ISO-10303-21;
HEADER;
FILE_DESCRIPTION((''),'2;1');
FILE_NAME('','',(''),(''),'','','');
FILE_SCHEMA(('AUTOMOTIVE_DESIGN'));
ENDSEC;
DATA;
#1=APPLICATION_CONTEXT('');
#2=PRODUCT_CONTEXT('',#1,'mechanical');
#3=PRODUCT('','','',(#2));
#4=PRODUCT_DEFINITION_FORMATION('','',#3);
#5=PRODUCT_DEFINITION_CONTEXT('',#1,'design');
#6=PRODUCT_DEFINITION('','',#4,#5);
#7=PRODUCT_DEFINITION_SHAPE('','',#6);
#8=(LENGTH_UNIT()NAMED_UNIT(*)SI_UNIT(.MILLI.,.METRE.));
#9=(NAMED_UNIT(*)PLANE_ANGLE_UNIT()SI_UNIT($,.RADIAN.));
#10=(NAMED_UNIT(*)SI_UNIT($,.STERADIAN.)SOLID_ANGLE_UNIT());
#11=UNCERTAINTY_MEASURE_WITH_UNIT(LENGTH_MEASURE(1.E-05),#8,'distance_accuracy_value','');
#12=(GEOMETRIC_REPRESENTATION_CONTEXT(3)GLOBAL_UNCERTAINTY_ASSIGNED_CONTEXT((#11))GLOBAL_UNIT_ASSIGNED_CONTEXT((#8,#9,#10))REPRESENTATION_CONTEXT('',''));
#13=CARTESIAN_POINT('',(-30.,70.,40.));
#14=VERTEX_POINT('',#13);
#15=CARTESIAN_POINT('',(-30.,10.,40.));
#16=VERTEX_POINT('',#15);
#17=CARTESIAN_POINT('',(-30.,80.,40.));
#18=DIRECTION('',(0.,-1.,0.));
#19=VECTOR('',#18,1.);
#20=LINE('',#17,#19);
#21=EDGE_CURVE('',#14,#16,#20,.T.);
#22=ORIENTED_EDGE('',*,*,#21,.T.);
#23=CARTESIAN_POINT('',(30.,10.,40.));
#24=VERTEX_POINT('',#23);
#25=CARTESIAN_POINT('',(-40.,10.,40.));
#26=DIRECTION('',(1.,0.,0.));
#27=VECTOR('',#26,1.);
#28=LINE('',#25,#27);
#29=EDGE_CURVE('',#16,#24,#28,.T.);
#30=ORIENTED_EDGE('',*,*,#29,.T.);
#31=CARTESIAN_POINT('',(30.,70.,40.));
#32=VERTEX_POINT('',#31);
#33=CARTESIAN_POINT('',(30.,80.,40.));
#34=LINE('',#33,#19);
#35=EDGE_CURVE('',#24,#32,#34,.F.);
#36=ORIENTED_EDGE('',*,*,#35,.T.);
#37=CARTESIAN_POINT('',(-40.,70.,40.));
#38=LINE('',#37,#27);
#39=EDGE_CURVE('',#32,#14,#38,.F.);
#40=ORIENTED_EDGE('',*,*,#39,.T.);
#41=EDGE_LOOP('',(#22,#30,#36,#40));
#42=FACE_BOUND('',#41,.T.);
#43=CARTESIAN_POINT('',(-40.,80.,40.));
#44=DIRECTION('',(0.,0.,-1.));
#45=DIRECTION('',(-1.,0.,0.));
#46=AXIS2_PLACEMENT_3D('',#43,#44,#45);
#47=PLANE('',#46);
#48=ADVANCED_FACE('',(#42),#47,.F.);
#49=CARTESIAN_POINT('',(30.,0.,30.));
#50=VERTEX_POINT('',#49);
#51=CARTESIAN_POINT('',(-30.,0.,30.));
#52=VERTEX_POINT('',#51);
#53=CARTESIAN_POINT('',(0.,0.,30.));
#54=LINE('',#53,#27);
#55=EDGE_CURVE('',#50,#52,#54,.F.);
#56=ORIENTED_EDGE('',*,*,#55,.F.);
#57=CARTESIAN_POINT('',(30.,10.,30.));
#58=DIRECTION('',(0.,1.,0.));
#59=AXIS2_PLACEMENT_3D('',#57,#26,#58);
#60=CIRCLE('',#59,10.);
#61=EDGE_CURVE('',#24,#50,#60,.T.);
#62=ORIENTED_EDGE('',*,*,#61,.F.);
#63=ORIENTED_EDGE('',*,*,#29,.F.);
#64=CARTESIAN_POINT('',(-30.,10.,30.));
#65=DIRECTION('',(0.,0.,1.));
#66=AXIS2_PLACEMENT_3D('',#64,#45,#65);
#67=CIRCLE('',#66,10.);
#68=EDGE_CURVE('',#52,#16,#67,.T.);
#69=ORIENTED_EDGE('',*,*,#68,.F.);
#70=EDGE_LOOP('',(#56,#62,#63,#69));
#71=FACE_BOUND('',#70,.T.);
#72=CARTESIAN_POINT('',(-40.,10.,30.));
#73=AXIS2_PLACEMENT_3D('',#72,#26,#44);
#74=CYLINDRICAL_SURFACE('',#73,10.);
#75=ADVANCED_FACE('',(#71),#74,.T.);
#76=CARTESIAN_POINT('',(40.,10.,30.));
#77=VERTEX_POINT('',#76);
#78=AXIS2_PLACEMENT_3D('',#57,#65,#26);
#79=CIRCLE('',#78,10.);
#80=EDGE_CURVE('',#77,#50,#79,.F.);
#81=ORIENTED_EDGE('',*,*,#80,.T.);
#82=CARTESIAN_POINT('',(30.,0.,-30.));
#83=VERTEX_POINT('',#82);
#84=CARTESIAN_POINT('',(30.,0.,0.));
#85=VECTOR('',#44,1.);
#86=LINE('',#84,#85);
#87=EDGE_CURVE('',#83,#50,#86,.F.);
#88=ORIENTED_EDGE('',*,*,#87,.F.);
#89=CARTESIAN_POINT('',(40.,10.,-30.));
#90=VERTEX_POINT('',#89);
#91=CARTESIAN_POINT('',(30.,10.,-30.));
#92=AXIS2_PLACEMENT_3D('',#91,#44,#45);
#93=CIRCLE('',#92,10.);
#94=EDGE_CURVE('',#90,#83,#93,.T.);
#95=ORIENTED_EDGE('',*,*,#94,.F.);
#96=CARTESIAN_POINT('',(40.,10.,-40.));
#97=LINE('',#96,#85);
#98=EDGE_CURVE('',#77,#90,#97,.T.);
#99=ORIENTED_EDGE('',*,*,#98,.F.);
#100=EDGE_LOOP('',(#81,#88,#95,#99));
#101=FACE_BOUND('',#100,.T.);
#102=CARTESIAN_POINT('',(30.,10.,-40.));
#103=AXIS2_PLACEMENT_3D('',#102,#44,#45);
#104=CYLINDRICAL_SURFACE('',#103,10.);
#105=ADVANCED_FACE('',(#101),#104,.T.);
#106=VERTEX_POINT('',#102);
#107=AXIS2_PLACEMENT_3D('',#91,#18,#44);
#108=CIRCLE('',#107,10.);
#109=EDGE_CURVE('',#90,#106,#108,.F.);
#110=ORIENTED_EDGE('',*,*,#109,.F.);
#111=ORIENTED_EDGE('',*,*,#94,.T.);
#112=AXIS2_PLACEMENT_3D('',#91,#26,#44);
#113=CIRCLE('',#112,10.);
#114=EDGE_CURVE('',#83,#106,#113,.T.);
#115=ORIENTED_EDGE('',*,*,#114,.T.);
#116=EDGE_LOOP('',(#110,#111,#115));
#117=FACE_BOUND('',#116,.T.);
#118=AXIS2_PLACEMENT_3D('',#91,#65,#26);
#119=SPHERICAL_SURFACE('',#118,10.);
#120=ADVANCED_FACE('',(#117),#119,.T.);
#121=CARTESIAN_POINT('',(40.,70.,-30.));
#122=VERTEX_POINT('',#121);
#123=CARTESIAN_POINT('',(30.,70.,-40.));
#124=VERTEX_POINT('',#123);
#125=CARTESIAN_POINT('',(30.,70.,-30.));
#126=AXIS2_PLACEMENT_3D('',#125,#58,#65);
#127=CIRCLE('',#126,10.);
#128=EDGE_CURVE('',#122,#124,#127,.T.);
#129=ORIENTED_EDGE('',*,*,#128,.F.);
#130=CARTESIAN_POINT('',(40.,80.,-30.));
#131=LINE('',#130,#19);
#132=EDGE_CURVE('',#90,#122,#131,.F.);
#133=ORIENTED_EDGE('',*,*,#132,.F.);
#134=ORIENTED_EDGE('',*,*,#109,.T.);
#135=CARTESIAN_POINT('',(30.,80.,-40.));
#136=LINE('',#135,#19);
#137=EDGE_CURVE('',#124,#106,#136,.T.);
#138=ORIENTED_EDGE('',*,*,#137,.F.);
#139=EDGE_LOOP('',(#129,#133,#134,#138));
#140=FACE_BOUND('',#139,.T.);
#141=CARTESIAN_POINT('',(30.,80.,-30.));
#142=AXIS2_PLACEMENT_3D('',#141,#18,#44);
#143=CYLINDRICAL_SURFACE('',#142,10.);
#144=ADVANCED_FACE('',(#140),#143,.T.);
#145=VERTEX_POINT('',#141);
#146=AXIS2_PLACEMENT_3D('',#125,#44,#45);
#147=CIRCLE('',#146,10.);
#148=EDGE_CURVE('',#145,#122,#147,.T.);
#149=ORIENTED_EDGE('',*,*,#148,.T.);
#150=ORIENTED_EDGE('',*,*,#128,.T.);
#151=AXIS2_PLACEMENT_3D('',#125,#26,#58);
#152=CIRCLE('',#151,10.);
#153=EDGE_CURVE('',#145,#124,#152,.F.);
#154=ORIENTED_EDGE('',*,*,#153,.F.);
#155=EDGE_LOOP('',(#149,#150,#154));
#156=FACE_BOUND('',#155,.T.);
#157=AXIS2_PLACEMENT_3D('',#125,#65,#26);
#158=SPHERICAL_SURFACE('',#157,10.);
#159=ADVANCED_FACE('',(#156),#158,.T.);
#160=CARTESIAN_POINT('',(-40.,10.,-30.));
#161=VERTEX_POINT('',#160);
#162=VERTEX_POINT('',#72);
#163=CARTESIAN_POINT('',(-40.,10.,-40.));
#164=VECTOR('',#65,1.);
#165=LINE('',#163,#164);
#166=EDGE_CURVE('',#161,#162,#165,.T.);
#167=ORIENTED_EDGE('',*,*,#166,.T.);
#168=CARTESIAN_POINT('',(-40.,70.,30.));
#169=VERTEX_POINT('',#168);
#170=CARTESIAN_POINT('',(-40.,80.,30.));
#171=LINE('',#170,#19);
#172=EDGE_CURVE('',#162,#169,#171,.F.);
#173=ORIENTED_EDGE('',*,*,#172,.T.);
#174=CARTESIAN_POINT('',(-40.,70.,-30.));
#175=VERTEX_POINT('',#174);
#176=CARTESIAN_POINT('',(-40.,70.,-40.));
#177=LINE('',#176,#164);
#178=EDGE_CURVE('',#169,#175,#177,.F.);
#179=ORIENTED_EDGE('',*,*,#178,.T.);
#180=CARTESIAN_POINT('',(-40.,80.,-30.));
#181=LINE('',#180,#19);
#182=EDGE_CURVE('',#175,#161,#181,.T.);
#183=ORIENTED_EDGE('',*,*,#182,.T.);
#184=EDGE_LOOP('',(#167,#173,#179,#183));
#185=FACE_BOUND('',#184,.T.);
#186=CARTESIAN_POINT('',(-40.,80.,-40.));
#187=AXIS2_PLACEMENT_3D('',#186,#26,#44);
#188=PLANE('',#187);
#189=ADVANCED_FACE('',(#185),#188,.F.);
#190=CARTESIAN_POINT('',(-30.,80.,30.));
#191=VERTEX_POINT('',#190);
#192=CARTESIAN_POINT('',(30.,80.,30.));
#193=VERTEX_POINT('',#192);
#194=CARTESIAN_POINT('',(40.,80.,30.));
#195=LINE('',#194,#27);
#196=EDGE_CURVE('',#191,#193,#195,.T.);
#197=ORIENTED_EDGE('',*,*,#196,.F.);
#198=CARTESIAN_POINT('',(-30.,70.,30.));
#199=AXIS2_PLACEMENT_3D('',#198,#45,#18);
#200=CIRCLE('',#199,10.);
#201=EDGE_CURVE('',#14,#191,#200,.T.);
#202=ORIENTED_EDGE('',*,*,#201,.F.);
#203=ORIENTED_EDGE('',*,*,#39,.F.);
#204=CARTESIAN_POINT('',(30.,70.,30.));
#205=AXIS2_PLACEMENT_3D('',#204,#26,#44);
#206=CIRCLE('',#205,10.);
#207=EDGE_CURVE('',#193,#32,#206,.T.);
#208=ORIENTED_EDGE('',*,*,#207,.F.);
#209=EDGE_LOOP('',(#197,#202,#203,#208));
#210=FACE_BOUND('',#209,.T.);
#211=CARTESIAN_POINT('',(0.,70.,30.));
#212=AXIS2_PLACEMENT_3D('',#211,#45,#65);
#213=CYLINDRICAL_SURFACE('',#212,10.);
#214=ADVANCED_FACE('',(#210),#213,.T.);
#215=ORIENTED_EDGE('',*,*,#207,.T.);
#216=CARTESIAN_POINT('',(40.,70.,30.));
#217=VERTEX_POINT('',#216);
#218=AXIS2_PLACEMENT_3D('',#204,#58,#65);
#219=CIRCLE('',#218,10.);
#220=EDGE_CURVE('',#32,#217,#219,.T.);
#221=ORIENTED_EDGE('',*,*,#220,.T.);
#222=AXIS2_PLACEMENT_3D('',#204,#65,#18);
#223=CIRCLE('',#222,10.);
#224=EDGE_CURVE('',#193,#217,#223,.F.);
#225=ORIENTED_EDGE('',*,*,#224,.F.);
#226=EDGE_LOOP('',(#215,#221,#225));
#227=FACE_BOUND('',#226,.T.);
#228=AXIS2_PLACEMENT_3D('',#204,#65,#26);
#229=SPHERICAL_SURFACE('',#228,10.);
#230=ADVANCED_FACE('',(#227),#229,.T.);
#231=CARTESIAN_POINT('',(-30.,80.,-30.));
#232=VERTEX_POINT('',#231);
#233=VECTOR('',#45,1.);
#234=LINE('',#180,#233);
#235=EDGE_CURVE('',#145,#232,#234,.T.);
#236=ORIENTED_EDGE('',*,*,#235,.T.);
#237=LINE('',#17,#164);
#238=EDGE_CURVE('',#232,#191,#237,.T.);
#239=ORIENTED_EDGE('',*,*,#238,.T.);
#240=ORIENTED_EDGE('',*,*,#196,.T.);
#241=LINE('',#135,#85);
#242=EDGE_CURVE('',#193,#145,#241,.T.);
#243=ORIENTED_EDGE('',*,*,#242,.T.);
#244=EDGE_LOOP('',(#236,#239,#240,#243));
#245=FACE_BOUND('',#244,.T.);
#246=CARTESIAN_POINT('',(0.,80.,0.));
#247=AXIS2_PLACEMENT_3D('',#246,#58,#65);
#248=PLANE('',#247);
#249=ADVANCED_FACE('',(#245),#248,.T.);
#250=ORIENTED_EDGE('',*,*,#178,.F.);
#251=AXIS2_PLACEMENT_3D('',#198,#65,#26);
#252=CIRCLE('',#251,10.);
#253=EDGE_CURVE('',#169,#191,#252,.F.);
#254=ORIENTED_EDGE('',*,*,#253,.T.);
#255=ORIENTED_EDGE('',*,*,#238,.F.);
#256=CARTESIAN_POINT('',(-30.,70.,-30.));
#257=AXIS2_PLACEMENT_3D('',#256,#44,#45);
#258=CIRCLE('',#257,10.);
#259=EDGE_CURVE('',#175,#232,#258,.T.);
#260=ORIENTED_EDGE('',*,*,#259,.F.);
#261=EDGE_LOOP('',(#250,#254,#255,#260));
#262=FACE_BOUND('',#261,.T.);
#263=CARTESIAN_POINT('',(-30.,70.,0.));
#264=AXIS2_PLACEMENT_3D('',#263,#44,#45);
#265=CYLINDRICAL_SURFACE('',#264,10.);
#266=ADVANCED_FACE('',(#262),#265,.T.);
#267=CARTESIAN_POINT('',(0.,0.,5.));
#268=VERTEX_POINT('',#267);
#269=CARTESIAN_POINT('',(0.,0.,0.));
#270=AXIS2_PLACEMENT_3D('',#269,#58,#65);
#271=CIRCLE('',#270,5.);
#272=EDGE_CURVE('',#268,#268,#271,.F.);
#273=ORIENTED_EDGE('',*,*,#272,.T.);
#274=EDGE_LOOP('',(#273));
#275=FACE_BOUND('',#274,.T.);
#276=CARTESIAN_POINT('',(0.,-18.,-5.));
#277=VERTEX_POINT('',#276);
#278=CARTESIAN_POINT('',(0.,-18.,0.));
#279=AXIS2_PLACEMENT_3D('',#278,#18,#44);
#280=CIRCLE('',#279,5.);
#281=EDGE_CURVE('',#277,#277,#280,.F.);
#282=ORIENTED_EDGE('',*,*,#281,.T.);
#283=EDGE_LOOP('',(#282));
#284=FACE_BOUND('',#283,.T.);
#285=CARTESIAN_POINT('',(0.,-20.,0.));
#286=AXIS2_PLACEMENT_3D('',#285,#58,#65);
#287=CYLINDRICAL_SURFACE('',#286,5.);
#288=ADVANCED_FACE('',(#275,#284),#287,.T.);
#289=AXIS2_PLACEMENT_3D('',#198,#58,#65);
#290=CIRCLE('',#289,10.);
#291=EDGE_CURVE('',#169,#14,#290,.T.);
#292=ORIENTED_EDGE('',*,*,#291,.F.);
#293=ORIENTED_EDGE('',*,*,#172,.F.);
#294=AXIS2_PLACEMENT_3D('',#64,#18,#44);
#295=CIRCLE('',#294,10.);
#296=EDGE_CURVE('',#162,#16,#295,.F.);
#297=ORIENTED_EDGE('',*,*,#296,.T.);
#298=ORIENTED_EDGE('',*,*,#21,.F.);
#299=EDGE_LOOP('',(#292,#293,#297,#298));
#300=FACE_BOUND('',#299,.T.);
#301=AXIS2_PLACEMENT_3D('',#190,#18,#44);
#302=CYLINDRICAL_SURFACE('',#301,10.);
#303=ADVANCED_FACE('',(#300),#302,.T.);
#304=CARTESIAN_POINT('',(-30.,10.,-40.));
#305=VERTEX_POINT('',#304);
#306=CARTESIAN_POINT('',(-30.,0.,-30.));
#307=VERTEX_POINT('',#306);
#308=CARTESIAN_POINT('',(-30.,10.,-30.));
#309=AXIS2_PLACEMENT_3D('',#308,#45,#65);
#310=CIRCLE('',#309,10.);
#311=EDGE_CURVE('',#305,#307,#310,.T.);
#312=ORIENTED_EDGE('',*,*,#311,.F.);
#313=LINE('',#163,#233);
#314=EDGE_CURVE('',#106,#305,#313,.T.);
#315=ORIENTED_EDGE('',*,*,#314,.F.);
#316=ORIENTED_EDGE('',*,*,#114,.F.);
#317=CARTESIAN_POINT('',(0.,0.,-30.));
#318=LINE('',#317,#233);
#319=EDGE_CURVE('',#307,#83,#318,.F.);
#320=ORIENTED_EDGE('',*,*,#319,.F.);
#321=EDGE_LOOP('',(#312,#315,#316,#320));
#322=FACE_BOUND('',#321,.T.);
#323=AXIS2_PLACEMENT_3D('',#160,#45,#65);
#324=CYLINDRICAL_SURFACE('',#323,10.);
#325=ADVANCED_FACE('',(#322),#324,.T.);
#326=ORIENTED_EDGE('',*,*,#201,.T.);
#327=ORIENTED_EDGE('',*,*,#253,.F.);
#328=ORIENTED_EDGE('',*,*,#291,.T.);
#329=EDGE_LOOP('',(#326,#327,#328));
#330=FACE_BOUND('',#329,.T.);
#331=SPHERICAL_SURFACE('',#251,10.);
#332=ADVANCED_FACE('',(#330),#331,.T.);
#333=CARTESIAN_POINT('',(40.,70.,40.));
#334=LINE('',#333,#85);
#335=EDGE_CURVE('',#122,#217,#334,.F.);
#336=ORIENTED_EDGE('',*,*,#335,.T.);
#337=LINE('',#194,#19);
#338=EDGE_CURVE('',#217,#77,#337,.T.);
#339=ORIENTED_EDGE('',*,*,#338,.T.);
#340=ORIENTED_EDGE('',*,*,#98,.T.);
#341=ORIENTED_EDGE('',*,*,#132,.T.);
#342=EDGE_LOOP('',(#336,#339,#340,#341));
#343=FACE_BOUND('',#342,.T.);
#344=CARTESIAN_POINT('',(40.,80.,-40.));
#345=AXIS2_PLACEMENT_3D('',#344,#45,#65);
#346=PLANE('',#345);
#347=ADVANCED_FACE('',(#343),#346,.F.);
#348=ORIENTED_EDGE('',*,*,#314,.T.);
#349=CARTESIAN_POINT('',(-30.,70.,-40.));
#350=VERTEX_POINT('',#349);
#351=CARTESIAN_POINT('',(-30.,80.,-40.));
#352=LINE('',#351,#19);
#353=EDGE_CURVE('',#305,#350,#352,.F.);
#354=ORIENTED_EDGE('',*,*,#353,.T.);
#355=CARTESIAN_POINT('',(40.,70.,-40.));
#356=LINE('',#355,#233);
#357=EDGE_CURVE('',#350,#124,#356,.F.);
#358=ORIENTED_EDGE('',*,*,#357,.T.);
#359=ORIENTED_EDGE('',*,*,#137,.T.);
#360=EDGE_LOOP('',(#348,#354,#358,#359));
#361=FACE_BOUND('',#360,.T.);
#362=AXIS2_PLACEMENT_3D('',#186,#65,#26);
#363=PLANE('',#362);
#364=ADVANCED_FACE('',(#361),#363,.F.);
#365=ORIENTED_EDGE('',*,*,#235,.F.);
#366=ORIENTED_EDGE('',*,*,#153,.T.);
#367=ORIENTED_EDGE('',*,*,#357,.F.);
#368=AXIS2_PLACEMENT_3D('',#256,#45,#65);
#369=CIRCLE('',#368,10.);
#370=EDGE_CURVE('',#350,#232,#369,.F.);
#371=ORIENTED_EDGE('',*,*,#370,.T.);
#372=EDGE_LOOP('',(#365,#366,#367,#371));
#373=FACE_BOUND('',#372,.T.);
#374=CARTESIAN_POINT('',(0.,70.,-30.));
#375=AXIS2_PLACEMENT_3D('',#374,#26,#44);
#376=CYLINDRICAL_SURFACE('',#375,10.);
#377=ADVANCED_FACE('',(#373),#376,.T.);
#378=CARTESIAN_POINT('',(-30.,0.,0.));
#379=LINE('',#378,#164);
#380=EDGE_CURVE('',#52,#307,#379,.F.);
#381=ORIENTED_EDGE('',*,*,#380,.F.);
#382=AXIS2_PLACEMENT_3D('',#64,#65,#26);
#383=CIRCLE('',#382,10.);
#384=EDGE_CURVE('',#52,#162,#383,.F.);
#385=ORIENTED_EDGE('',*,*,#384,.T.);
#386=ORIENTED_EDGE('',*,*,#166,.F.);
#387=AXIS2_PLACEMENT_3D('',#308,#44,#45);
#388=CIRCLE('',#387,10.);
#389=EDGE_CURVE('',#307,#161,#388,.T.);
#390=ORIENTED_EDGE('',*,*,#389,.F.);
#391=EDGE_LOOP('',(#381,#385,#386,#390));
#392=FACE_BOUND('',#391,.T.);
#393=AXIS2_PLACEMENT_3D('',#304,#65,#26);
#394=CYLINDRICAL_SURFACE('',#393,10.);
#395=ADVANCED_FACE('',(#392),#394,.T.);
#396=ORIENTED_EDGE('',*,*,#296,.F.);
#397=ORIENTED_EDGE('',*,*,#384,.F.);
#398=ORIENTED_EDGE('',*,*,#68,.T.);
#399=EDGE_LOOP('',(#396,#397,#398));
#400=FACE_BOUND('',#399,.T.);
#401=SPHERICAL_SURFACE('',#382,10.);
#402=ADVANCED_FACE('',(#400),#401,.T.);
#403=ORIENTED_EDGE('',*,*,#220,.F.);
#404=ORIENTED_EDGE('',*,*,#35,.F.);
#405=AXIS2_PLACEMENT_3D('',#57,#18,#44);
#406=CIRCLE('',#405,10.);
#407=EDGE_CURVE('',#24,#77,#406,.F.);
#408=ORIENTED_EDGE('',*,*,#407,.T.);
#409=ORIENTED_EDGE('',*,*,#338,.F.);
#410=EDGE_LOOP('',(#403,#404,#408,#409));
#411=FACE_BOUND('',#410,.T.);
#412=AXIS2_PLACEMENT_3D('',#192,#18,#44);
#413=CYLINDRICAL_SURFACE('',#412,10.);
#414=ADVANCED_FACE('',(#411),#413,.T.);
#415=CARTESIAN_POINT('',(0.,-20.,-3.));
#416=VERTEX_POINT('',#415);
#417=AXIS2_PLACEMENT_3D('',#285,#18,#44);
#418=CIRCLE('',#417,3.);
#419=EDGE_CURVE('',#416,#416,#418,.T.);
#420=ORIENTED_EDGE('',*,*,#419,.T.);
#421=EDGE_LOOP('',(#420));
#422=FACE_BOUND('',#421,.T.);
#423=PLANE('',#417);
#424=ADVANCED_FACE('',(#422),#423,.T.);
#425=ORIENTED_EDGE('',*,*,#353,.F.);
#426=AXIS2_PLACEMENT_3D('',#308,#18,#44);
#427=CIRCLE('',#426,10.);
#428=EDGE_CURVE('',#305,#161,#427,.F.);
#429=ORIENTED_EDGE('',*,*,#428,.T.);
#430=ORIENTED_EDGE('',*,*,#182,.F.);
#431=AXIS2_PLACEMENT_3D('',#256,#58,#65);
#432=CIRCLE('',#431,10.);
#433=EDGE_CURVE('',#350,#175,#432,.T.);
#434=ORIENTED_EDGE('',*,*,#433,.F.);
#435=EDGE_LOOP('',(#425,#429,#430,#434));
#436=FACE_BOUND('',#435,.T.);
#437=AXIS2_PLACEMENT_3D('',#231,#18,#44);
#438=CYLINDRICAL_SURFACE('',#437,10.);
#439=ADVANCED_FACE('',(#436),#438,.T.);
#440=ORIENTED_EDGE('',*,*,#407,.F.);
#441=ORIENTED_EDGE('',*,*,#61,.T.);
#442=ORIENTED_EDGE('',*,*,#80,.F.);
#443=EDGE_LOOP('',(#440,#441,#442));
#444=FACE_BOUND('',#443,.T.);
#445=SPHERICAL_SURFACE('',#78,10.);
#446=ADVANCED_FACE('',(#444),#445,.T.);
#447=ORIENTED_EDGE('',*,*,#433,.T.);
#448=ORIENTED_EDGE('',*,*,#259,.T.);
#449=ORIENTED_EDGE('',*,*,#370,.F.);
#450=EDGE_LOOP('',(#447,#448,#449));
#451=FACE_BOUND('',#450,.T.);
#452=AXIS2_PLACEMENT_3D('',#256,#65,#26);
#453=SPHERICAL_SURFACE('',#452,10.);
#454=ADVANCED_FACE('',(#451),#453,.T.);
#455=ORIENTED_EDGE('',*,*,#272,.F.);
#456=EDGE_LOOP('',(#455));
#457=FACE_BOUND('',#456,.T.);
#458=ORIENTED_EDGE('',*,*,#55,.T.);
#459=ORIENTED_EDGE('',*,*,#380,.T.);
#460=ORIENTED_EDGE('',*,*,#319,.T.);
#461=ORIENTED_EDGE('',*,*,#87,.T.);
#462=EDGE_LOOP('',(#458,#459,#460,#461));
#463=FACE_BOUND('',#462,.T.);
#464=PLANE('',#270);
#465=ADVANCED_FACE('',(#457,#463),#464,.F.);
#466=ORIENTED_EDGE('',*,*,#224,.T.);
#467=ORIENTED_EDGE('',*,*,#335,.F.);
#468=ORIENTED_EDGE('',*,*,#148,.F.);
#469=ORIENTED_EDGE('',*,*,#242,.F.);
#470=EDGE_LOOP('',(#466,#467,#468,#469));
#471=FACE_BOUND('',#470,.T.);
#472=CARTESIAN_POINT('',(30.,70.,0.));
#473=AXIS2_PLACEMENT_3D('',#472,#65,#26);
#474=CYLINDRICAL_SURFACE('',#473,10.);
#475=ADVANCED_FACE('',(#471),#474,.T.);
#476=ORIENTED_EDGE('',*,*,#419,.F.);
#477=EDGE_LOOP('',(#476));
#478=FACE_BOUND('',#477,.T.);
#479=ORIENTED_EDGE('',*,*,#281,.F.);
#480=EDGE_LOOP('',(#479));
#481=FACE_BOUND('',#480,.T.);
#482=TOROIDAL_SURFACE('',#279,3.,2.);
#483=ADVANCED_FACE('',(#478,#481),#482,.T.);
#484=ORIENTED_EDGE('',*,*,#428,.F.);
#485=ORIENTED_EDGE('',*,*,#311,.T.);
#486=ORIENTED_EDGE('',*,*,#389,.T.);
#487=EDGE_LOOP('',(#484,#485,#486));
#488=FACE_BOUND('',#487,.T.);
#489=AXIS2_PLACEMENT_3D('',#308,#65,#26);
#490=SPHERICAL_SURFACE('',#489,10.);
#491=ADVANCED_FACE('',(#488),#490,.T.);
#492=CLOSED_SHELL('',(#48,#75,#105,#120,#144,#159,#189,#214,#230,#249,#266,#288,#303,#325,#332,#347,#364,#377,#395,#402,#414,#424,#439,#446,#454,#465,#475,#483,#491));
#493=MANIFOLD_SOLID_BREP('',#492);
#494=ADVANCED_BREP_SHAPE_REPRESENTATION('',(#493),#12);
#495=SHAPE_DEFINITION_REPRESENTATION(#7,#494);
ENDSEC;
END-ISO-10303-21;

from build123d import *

# Parameters (mm, degrees)
SKETCH1_W           = 80
SKETCH1_H           = 80
BOSS_EXTRUDE1_DEPTH = 80
SKETCH2_R           = 5
BOSS_EXTRUDE2_DEPTH = 20
FILLET1_R           = 10
FILLET2_R           = 2


with BuildPart() as part:
    # Sketch1 → Boss-Extrude1 (new body)
    with BuildSketch(Plane(origin=(0, 0, 0), x_dir=(1, 0, 0), z_dir=(0, 1, 0))):
        Rectangle(SKETCH1_W, SKETCH1_H)
    extrude(amount=BOSS_EXTRUDE1_DEPTH)

    # Sketch2 → Boss-Extrude2 (add)
    with BuildSketch(Plane.XZ):
        with Locations(Location((0, 0, 0), (0, 0, 90))):
            Circle(SKETCH2_R)
    extrude(amount=BOSS_EXTRUDE2_DEPTH)

    # Fillet1
    fillet1_edges = [part.edges().sort_by_distance(p)[0] for p in [
        (-40, 80, 0),
        (0, 80, 40),
        (40, 80, 0),
        (0, 0, 40),
        (-40, 0, 0),
        (0, 0, -40),
        (40, 0, 0),
        (40, 40, 40),
        (-40, 40, 40),
        (-40, 40, -40),
        (40, 40, -40),
        (0, 80, -40),
    ]]
    fillet(fillet1_edges, radius=FILLET1_R)

    # Fillet2
    fillet2_edges = [part.edges().sort_by_distance(p)[0] for p in [
        (0, -20, -5),
    ]]
    fillet(fillet2_edges, radius=FILLET2_R)


solid = part.part
